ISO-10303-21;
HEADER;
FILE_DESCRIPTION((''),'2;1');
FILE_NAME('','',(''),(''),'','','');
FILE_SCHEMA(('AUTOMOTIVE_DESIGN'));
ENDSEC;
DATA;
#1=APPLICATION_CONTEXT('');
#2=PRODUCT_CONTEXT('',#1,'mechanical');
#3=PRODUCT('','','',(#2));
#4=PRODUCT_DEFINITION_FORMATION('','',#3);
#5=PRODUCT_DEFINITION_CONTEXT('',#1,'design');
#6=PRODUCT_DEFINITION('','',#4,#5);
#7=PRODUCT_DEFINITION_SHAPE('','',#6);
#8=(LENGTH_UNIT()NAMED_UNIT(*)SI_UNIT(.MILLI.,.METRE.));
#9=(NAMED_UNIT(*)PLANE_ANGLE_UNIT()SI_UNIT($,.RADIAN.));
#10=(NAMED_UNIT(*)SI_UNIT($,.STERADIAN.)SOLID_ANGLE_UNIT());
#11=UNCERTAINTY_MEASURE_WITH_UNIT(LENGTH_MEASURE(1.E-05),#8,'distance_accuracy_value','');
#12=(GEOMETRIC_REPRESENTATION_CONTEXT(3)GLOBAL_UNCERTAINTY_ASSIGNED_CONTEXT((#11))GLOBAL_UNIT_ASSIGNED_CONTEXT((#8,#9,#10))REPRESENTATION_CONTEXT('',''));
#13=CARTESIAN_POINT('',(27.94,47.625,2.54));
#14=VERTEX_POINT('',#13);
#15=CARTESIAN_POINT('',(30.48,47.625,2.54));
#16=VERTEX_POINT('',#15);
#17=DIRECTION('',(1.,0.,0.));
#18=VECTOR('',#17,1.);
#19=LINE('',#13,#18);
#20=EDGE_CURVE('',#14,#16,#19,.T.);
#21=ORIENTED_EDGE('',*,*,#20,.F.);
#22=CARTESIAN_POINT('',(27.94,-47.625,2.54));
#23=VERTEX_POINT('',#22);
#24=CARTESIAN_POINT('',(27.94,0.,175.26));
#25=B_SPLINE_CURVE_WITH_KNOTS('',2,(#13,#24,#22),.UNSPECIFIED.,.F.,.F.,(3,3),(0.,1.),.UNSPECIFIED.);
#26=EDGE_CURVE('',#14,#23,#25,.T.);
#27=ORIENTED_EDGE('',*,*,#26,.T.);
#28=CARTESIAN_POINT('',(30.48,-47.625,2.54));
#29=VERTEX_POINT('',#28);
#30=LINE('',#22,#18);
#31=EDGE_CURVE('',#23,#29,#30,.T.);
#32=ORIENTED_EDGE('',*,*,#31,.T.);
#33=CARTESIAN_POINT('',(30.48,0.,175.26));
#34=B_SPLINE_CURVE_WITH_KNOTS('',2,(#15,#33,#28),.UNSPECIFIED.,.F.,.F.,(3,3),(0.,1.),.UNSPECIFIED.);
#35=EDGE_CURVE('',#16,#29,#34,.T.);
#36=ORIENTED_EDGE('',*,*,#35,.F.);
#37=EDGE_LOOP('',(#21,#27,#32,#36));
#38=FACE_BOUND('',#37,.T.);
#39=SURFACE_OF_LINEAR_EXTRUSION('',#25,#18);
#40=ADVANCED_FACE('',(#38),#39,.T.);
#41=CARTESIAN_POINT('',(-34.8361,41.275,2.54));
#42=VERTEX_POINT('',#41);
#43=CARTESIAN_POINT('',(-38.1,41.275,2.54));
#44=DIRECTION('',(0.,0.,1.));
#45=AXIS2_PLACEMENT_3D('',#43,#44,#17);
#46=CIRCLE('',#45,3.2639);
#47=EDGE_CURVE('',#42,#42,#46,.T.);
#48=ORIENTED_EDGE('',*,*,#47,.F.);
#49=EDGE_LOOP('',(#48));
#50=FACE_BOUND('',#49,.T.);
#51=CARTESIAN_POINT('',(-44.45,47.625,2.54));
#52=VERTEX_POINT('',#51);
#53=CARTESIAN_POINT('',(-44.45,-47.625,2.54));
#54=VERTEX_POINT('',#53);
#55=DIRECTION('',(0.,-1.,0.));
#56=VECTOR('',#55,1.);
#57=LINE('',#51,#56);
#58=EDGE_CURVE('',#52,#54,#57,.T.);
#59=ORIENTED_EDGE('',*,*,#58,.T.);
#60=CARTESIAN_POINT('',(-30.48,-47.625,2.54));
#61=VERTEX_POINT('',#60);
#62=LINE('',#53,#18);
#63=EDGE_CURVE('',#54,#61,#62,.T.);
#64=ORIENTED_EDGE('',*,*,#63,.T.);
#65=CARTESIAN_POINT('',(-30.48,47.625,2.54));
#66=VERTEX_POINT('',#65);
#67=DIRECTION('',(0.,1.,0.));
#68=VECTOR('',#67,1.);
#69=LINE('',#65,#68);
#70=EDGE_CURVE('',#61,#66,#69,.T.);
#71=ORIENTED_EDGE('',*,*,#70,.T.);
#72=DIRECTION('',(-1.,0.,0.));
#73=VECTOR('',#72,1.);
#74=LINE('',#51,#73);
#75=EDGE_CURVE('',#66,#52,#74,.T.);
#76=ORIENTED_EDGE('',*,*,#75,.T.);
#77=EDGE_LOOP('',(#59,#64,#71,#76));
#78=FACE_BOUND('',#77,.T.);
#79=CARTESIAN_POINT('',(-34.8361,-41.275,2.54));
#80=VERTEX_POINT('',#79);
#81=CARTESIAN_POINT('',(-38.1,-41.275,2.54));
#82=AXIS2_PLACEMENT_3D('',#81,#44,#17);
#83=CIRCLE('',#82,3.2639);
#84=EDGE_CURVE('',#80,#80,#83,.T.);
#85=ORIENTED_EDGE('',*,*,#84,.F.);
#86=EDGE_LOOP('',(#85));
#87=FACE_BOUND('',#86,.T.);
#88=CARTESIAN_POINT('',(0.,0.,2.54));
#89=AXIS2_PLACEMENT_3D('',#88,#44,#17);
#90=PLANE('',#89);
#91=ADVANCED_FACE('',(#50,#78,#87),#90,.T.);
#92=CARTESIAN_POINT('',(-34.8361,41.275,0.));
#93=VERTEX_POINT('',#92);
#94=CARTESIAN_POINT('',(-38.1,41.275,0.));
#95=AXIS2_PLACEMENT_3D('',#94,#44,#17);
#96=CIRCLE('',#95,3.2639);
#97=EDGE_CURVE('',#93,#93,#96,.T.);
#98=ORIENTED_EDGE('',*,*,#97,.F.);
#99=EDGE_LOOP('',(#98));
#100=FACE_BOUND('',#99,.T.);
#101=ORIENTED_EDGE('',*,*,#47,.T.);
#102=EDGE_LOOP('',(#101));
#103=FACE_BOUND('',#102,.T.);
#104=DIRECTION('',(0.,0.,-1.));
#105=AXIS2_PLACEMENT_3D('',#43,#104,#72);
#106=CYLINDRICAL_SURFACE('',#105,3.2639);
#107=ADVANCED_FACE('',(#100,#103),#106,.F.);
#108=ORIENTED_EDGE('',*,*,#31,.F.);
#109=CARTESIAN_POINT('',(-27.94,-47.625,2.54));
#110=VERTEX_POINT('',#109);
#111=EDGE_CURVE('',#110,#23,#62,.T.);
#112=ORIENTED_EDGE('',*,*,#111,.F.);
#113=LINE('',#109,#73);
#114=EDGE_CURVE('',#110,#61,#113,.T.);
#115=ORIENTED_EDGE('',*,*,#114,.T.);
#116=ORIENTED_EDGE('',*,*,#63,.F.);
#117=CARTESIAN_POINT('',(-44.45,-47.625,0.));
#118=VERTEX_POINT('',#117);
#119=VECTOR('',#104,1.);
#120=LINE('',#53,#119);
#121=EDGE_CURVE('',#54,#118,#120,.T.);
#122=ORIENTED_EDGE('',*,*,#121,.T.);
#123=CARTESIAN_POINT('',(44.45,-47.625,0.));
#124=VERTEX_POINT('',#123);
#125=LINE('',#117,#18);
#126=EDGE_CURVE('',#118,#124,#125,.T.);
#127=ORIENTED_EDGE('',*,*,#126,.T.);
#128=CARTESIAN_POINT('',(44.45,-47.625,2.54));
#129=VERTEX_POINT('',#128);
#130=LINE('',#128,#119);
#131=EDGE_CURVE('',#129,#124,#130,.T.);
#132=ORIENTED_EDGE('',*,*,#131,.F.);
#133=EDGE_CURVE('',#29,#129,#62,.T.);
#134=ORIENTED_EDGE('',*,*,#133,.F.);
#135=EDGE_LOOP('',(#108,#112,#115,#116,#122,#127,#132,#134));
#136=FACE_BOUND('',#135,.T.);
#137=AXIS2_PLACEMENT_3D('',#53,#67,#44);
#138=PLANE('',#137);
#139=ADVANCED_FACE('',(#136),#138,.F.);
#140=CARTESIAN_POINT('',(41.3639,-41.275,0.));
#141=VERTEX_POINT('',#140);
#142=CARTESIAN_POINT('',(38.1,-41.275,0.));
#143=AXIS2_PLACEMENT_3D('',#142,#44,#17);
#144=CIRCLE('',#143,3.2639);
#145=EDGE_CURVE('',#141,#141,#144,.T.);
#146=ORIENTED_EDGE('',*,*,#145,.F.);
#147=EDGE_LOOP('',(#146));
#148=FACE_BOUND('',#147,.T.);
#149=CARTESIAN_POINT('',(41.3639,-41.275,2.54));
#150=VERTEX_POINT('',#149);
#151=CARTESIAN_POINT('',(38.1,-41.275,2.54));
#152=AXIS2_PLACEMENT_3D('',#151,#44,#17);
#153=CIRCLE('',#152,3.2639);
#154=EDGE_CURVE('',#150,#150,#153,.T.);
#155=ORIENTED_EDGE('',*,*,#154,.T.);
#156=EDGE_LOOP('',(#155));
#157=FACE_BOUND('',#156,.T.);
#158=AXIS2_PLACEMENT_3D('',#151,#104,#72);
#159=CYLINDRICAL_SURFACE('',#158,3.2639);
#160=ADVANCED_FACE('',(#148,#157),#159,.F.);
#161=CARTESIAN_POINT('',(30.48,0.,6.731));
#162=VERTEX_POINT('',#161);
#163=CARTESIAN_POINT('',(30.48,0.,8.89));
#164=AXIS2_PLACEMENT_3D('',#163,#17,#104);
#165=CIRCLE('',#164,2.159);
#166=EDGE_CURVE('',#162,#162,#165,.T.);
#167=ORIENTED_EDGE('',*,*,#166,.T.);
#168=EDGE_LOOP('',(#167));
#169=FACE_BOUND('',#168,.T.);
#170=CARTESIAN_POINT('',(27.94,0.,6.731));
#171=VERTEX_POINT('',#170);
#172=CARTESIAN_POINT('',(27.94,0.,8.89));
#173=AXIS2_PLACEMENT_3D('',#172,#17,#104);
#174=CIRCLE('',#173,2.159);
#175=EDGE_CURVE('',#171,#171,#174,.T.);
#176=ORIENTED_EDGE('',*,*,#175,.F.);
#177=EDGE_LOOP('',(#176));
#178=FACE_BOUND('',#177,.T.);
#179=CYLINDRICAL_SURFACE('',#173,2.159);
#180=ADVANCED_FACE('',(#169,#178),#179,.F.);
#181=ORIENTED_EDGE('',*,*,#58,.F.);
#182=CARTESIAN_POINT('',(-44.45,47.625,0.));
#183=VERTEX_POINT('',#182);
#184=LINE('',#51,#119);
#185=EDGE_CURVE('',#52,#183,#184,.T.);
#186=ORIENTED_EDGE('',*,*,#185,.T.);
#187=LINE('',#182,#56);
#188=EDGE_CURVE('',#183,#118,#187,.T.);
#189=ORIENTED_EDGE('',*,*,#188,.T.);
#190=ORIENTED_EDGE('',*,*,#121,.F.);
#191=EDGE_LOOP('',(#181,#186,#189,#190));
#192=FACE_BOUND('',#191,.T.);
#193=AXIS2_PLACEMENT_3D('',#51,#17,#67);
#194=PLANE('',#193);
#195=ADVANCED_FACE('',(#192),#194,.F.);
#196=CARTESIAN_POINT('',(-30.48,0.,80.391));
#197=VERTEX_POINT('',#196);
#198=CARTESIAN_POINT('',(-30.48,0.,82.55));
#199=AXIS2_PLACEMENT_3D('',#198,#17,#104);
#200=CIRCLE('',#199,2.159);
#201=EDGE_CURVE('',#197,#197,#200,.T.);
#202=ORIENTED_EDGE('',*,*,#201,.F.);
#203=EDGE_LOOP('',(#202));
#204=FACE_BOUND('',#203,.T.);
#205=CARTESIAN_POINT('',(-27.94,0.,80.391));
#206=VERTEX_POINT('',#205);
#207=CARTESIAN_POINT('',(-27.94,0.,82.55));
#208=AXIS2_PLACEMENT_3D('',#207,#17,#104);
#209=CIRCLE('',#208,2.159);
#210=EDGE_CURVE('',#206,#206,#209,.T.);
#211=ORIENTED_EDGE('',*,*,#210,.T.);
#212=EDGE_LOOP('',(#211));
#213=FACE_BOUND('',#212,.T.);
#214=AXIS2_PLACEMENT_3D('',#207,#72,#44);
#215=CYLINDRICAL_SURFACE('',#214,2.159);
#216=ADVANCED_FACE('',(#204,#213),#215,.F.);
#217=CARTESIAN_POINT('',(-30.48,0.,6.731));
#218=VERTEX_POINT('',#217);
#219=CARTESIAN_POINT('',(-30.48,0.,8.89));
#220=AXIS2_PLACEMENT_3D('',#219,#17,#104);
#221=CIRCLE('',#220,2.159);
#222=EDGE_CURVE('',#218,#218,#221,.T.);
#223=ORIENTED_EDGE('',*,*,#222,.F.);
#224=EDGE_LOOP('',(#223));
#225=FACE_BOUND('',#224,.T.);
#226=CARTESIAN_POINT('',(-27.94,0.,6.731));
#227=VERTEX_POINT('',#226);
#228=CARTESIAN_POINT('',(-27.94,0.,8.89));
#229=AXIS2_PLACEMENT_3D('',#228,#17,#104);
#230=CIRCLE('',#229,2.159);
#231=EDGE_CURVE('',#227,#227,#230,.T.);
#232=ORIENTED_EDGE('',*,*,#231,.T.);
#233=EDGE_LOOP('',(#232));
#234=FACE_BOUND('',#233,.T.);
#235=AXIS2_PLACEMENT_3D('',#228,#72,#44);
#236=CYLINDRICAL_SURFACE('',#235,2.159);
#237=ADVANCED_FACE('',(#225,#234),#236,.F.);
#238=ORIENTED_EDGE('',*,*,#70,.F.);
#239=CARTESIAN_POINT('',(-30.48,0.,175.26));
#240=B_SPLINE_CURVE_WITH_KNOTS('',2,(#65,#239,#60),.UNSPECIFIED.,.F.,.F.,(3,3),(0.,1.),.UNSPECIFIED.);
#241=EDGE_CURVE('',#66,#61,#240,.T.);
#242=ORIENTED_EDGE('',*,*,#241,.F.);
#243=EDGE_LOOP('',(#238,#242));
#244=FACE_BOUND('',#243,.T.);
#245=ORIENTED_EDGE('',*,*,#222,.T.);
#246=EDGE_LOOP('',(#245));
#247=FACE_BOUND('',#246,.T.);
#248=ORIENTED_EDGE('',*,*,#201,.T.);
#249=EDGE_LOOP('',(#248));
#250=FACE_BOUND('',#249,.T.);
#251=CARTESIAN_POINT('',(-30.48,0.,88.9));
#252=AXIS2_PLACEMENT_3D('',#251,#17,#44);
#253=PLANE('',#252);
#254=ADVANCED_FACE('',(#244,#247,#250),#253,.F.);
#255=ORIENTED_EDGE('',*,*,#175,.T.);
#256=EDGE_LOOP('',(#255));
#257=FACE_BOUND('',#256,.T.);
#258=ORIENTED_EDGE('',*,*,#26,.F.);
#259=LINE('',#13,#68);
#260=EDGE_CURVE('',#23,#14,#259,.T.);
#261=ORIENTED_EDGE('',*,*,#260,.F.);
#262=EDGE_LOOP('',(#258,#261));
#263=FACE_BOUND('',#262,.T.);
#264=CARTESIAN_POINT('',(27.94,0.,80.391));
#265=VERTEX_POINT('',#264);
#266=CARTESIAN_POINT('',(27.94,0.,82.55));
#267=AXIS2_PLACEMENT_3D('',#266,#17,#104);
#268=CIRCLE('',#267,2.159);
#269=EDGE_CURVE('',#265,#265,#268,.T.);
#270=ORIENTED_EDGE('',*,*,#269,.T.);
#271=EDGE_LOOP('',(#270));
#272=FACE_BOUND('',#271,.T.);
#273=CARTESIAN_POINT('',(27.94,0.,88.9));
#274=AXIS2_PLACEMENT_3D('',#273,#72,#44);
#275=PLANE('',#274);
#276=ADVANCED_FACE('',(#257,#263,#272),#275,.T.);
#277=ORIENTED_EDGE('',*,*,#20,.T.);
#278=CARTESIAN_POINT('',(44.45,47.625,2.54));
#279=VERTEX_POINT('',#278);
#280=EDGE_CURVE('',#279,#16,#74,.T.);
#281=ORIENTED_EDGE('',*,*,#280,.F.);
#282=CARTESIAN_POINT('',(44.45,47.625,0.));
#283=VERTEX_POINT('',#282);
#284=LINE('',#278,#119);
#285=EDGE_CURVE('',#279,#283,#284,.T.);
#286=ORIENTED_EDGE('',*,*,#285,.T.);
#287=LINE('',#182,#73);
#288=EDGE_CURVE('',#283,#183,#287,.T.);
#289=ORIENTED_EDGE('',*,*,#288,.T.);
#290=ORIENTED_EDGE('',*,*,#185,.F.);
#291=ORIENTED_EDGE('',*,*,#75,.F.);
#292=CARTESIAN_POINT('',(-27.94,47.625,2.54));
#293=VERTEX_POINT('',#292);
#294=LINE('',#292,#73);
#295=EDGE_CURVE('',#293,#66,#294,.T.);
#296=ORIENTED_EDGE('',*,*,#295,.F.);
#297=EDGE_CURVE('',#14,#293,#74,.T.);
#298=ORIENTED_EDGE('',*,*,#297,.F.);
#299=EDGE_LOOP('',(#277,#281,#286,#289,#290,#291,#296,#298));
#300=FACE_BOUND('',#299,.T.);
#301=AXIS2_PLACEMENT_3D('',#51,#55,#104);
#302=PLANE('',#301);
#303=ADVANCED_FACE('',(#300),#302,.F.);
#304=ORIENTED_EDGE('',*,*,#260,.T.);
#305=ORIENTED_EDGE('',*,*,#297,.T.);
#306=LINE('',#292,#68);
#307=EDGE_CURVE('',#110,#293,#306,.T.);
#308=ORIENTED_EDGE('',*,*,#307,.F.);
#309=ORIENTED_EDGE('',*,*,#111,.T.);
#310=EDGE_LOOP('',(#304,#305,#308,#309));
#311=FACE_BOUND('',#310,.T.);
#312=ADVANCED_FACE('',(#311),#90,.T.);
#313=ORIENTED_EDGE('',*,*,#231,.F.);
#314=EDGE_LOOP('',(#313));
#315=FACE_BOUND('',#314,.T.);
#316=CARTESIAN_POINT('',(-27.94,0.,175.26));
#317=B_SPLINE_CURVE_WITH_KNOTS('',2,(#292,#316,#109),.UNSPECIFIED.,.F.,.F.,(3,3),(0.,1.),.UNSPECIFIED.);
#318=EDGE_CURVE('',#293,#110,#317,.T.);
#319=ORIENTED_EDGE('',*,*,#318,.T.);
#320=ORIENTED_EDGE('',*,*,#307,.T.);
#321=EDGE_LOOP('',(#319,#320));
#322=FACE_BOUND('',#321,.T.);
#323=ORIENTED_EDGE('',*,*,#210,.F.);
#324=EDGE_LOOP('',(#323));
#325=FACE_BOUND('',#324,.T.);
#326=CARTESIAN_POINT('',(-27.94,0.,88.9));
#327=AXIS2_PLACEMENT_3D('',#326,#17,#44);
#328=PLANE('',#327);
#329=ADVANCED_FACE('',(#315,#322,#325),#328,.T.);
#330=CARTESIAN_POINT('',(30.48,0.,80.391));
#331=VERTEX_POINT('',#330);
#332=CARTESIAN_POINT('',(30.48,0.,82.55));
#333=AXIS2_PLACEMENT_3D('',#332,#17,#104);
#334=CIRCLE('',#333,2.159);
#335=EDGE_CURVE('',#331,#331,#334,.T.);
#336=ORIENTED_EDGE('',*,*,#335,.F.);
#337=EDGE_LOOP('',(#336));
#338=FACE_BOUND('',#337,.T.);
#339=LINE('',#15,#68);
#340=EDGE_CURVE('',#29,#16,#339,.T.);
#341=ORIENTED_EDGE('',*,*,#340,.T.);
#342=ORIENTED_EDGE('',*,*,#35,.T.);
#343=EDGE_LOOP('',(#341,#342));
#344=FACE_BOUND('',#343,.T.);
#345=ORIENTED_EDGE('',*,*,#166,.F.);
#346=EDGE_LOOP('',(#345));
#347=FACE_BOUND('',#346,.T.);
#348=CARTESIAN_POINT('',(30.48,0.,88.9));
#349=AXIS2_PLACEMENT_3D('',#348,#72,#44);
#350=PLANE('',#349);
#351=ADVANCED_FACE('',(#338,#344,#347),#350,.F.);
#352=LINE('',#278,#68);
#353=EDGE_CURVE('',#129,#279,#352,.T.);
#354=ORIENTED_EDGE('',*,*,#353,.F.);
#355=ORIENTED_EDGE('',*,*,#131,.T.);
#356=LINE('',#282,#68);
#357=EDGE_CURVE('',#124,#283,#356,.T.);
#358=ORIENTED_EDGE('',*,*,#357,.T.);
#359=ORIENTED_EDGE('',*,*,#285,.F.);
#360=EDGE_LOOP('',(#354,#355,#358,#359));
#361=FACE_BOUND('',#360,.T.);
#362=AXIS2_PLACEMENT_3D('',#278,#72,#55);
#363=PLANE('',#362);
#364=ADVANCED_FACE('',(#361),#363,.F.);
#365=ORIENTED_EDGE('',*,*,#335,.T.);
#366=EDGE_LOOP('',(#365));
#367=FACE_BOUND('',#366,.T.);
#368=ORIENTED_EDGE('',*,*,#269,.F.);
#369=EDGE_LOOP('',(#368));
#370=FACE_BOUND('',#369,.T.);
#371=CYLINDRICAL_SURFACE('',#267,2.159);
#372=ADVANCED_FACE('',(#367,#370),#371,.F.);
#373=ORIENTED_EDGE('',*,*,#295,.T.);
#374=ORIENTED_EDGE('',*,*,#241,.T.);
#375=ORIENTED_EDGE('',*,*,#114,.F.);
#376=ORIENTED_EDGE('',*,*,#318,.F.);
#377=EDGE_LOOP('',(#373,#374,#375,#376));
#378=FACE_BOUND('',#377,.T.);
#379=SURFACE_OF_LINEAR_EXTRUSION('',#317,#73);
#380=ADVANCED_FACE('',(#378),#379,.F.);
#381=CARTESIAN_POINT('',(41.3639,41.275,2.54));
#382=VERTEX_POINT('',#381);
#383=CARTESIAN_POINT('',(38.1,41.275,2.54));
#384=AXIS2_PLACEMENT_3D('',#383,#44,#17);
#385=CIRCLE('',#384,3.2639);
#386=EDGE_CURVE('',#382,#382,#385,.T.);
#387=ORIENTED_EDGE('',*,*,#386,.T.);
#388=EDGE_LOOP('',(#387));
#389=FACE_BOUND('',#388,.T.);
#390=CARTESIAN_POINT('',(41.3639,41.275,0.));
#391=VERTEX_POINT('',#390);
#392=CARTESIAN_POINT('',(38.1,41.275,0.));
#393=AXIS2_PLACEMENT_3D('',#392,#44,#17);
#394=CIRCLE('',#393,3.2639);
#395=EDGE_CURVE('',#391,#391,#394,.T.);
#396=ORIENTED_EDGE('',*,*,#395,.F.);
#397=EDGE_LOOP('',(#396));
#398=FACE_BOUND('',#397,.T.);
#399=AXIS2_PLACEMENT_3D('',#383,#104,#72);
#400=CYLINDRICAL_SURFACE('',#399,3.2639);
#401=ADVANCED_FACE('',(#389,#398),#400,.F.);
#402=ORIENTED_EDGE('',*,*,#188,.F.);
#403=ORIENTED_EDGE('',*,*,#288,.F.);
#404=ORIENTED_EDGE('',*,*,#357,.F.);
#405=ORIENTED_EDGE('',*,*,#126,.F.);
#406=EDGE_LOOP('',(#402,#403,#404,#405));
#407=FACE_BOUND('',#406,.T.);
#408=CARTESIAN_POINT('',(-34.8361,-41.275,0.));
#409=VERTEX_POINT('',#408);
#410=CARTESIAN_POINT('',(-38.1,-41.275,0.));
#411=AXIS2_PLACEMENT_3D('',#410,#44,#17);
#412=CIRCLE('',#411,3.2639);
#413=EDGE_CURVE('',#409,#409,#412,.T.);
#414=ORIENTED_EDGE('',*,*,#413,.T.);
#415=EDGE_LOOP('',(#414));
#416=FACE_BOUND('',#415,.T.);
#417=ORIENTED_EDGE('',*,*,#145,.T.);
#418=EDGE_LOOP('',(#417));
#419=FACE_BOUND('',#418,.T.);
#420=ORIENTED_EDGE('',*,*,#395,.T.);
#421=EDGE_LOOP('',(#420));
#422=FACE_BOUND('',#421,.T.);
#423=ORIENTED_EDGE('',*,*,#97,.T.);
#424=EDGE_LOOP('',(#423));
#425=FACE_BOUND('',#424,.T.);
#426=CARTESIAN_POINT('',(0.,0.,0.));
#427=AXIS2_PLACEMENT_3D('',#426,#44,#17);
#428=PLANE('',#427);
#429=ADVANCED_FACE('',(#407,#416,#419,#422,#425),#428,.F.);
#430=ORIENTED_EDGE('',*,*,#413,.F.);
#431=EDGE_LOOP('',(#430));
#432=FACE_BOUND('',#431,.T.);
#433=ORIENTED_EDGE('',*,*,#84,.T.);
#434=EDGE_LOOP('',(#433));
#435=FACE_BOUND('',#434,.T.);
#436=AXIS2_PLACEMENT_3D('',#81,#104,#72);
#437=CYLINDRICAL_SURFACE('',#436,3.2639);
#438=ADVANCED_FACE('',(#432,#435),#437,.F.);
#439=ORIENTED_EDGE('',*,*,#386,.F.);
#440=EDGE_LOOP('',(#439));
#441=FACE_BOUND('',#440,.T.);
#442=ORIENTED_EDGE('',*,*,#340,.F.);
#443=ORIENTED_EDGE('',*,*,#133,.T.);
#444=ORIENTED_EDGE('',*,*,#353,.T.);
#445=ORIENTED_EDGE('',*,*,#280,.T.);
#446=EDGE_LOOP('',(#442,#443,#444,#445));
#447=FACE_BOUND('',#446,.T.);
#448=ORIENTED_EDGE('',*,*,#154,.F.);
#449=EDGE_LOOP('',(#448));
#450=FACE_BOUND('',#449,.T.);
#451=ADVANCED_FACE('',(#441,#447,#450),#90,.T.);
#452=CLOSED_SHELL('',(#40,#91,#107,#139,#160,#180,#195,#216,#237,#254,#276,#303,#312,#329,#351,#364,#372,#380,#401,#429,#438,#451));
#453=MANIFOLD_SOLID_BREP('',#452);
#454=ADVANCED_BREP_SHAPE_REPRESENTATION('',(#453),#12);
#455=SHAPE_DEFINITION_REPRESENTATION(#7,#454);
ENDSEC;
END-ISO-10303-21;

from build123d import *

# Parameters (mm, degrees)
SKETCH1_W           = 88.9
SKETCH1_H           = 95.25
SKETCH1_R           = 3.2639
BOSS_EXTRUDE1_DEPTH = 2.54
SKETCH4_R           = 2.159
BOSS_EXTRUDE2_DEPTH = 2.54


with BuildPart() as part:
    # Sketch1 → Boss-Extrude1 (new body)
    with BuildSketch(Plane.XY):
        Rectangle(SKETCH1_W, SKETCH1_H)
        with Locations((-38.1, -41.275)):
            Circle(SKETCH1_R, mode=Mode.SUBTRACT)
        with Locations((38.1, -41.275)):
            Circle(SKETCH1_R, mode=Mode.SUBTRACT)
        with Locations((38.1, 41.275)):
            Circle(SKETCH1_R, mode=Mode.SUBTRACT)
        with Locations((-38.1, 41.275)):
            Circle(SKETCH1_R, mode=Mode.SUBTRACT)
    extrude(amount=BOSS_EXTRUDE1_DEPTH)

    # Sketch4 → Boss-Extrude2 (add)
    with BuildSketch(Plane(origin=(30.48, 0, 0), x_dir=(0, 0, -1), z_dir=(1, 0, 0))):
        with BuildLine():
            Line((-2.54, 47.625), (-2.54, -47.625))
            add(Edge.make_bspline(
                [(-2.54, 47.625), (-175.26, 0), (-2.54, -47.625)],
                knots=[0, 0, 0, 1, 1, 1], degree=2))
        make_face()
        with Locations((-82.55, 0)):
            Circle(SKETCH4_R, mode=Mode.SUBTRACT)
        with Locations((-8.89, 0)):
            Circle(SKETCH4_R, mode=Mode.SUBTRACT)
    boss_extrude2 = extrude(amount=-BOSS_EXTRUDE2_DEPTH)

    # Mirror1: Boss-Extrude2 across plane
    add(boss_extrude2.mirror(Plane(origin=(0, 0, 0), x_dir=(0, 0, 1), z_dir=(1, 0, 0))))


solid = part.part
